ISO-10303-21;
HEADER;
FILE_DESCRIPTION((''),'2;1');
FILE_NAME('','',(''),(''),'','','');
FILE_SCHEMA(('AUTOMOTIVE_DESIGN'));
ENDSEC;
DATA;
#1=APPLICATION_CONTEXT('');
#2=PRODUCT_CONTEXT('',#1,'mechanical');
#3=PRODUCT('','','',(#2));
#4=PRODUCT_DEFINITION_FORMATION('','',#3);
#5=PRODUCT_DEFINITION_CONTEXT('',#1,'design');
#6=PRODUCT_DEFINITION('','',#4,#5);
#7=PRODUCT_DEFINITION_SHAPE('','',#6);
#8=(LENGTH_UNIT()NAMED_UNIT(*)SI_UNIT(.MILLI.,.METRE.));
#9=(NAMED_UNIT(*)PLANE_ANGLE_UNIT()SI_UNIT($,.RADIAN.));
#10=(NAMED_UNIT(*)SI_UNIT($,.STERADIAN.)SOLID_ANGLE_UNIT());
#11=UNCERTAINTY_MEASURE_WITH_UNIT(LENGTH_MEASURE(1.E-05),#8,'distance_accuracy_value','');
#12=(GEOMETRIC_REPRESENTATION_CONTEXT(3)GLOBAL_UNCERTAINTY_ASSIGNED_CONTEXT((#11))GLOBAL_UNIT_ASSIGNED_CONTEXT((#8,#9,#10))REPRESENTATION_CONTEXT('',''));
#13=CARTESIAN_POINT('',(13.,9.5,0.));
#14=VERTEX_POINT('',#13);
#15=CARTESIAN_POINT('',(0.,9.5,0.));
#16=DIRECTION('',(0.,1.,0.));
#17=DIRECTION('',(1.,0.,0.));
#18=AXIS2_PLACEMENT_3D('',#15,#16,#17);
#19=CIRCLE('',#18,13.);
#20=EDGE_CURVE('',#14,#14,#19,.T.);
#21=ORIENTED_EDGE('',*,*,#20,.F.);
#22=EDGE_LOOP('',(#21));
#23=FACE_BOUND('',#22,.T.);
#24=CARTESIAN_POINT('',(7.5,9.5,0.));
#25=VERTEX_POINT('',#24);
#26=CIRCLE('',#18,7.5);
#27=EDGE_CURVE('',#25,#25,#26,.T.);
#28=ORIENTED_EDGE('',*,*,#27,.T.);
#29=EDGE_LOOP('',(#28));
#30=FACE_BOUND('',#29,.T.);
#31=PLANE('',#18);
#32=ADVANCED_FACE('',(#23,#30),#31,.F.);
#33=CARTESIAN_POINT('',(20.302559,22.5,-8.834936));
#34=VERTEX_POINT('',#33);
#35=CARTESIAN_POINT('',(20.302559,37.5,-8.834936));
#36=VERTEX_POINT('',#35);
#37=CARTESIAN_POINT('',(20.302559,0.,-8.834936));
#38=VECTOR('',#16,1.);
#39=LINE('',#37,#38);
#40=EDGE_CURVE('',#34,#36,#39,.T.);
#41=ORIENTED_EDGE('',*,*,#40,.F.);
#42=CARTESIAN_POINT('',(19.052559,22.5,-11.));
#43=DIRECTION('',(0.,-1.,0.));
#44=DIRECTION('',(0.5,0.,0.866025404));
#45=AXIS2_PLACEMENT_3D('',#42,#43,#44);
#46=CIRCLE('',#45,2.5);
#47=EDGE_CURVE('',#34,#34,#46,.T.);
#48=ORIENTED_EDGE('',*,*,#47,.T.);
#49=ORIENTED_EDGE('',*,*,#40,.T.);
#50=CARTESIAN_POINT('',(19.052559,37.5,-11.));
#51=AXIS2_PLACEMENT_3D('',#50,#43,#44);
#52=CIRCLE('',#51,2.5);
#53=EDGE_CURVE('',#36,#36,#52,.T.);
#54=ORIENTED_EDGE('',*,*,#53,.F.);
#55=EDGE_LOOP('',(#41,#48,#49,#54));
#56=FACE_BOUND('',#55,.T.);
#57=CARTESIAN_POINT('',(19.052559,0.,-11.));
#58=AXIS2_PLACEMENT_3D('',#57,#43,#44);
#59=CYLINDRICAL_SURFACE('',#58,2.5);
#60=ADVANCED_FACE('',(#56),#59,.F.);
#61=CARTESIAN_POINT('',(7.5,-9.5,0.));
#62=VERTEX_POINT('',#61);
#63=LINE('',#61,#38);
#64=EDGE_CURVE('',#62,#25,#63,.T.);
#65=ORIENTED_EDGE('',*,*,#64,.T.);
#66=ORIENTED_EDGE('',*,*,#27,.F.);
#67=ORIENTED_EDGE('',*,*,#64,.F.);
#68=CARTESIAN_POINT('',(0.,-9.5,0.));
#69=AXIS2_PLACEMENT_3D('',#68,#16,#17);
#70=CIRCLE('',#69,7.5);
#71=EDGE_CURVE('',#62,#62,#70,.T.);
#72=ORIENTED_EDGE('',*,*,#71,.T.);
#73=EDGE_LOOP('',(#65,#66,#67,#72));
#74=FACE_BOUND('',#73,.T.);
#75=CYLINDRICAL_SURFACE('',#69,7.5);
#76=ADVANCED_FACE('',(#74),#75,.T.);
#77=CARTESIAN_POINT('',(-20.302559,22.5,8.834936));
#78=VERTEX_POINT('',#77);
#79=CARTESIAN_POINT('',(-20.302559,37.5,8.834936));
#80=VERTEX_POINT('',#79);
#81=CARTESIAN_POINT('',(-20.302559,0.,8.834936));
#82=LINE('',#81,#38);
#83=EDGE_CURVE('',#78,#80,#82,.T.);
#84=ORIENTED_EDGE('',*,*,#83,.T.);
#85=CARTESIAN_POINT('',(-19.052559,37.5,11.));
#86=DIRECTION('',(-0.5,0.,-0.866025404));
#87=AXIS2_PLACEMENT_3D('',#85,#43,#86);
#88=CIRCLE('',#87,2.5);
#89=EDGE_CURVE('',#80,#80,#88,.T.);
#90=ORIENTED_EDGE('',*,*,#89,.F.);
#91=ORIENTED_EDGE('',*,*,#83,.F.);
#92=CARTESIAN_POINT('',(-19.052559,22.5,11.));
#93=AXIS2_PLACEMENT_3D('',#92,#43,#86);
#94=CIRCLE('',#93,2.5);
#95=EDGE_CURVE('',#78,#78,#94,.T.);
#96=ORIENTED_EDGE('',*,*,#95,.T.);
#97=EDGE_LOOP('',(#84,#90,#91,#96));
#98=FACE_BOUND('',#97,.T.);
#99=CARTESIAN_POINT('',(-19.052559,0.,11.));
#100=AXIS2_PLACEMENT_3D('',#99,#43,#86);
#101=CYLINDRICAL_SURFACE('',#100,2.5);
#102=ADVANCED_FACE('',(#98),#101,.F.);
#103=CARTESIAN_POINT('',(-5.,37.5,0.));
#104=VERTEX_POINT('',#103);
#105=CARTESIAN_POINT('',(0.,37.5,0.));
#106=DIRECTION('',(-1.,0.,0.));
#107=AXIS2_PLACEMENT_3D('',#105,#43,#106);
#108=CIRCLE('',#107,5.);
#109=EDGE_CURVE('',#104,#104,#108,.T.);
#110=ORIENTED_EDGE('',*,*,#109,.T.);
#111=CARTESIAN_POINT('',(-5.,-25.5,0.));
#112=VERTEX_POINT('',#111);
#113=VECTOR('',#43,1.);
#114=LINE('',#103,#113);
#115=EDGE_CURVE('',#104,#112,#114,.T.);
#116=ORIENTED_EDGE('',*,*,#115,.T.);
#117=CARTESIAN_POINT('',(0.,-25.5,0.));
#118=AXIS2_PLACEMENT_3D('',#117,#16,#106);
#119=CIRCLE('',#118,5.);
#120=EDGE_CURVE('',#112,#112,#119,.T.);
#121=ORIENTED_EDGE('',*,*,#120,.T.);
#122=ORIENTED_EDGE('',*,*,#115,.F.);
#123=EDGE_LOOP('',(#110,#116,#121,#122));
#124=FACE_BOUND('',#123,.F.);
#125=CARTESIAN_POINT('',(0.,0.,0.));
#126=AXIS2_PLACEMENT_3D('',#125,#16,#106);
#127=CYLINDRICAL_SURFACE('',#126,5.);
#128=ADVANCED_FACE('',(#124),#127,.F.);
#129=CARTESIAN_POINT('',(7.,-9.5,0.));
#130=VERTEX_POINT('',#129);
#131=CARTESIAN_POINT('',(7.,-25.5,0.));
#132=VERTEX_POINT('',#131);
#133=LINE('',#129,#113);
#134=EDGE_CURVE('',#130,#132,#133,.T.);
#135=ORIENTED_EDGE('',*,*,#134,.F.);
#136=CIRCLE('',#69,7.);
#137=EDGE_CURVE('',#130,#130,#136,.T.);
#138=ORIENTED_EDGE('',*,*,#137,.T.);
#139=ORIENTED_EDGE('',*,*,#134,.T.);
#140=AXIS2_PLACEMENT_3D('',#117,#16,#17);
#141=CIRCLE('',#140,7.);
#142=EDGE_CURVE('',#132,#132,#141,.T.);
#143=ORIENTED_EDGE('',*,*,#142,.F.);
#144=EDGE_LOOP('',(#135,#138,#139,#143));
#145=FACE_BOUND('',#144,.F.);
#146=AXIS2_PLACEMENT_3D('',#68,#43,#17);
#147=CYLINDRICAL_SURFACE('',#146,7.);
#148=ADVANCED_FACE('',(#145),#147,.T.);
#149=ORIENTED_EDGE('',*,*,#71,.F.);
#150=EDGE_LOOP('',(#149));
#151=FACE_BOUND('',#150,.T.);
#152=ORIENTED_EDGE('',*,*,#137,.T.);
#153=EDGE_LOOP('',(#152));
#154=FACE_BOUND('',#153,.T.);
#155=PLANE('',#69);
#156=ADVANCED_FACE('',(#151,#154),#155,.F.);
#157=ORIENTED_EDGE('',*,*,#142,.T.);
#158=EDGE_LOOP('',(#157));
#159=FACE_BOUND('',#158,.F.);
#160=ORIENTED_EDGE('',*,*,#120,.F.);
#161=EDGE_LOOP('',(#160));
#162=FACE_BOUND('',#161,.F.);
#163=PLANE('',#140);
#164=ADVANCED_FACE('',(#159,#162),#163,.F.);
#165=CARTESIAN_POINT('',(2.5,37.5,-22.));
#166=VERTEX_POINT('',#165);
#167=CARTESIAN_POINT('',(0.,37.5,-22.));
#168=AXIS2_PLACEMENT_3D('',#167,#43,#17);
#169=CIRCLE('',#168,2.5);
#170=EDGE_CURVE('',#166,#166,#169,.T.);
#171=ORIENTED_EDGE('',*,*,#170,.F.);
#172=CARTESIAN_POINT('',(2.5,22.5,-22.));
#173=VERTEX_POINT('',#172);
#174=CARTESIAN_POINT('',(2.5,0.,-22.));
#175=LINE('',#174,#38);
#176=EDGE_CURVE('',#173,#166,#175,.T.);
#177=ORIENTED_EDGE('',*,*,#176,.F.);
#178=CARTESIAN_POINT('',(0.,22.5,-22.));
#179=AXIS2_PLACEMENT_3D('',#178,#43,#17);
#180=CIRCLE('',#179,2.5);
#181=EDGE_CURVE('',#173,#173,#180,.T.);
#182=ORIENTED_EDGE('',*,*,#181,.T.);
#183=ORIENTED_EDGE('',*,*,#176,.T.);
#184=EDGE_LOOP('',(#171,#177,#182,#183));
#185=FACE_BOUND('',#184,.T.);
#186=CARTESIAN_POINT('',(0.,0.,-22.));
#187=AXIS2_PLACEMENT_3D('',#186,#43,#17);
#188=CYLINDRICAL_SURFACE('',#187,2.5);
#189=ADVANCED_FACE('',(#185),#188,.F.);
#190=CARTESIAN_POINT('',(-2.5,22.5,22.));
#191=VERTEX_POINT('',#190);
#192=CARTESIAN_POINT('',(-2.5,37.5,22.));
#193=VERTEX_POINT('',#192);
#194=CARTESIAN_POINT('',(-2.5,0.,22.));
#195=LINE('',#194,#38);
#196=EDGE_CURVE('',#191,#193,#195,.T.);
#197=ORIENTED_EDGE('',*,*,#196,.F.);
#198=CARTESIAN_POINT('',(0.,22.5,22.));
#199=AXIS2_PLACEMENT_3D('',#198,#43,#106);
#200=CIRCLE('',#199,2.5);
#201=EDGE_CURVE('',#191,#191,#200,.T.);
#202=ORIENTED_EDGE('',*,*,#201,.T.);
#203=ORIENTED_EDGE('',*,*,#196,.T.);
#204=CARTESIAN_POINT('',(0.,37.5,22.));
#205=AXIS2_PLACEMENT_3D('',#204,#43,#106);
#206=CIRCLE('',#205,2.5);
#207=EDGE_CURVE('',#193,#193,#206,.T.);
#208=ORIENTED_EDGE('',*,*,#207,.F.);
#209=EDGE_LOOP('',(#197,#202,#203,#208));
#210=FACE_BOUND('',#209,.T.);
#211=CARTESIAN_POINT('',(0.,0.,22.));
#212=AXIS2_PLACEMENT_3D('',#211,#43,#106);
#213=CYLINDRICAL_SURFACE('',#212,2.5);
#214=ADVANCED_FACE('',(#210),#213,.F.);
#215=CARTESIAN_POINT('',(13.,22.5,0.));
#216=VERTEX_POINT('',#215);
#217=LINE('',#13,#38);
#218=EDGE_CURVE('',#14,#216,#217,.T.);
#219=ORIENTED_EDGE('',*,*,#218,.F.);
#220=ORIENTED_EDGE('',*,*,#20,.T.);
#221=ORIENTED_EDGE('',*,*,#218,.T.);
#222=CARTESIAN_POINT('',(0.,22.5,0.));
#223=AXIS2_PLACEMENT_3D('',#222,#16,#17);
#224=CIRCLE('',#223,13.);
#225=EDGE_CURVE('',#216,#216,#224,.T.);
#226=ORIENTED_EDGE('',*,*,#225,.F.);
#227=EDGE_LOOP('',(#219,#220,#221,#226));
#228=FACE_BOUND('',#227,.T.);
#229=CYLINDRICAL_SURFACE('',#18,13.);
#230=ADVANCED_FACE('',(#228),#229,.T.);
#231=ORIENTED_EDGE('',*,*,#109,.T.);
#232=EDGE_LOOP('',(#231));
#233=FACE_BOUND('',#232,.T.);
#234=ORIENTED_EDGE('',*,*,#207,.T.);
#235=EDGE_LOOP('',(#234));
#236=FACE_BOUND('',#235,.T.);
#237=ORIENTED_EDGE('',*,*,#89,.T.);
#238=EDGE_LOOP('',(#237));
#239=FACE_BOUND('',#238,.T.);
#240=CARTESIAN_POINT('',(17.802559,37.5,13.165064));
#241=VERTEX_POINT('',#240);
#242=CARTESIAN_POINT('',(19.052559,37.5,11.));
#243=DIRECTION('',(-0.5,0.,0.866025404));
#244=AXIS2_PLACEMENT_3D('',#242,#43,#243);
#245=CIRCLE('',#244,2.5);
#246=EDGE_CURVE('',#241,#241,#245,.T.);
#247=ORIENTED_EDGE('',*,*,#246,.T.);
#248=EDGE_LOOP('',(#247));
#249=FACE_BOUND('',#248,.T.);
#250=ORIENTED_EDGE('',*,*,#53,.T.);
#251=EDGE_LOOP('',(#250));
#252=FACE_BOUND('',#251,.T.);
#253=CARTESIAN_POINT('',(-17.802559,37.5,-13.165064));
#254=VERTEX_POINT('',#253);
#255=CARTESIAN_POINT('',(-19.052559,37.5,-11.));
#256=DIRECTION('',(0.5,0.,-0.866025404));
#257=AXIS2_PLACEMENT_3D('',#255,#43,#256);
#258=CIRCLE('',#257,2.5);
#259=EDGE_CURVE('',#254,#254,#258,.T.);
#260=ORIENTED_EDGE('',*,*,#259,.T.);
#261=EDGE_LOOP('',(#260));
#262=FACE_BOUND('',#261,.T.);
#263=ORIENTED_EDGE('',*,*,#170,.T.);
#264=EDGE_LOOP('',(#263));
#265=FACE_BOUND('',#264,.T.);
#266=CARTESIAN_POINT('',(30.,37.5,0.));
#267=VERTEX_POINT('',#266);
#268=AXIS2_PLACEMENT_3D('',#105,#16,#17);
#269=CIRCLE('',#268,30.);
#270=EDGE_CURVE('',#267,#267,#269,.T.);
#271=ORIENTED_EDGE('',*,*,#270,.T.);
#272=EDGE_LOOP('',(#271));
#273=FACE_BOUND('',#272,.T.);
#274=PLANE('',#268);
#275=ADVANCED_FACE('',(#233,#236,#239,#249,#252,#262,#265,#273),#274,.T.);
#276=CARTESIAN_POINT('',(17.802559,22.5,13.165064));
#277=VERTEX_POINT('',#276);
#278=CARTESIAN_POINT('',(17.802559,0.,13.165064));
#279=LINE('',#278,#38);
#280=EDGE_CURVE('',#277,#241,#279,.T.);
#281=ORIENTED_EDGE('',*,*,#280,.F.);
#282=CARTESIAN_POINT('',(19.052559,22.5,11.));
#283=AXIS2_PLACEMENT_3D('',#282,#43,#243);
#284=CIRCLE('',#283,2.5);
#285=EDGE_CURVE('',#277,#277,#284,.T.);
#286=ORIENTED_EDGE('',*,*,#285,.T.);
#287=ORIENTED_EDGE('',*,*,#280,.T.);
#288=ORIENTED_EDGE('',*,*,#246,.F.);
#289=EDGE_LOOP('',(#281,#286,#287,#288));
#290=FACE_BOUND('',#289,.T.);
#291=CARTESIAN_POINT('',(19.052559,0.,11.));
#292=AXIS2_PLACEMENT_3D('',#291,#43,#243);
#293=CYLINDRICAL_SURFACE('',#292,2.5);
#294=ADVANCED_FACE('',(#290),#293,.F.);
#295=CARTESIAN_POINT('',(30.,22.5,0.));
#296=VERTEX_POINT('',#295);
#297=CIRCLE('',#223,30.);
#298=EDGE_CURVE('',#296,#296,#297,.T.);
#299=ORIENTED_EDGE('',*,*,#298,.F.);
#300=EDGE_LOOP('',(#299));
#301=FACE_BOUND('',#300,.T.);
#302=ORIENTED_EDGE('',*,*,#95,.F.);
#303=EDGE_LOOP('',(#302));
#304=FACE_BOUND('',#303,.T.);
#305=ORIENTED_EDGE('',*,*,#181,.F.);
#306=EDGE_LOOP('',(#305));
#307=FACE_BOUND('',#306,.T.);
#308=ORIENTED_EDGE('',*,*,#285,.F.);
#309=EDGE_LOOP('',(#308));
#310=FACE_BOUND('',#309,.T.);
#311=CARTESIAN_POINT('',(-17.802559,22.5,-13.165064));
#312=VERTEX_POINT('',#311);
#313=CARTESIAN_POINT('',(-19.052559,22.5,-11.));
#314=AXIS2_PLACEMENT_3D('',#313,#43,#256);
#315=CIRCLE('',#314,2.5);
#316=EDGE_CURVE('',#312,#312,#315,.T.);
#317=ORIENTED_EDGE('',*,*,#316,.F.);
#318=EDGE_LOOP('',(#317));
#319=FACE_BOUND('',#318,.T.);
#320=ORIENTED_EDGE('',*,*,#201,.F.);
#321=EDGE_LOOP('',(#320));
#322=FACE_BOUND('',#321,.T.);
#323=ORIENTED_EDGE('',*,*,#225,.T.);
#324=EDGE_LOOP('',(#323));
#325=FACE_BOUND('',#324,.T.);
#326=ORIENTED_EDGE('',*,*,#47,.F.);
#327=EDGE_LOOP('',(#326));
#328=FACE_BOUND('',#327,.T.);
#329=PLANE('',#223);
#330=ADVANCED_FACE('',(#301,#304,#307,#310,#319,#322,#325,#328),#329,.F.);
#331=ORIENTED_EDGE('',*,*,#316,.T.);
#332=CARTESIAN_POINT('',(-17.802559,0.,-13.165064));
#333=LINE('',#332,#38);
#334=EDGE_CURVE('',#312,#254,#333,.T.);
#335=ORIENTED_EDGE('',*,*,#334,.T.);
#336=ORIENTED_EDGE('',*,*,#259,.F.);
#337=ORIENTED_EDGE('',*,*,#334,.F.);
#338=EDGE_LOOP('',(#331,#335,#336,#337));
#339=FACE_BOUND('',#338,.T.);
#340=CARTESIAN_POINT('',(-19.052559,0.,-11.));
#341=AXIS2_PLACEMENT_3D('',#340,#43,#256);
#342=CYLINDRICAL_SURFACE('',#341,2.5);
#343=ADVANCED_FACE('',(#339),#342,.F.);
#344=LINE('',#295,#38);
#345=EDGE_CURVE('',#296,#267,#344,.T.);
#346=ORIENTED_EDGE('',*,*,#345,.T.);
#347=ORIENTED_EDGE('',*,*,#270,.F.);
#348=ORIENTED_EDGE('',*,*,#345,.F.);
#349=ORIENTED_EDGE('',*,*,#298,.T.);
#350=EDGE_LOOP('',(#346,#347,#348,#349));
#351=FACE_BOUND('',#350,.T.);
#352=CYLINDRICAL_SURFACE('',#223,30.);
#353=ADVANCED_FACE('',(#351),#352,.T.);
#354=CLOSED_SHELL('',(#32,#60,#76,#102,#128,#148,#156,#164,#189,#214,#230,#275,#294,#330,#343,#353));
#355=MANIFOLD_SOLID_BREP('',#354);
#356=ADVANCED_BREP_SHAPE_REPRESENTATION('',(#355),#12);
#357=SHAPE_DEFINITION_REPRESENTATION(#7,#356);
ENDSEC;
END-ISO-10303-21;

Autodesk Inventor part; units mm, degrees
ref_plane "YZ Plane" through (0, 0, 0) normal (1, 0, 0) x (0, 1, 0)
ref_plane "XZ Plane" through (0, 0, 0) normal (0, 1, 0) x (-1, 0, 0)
ref_plane "XY Plane" through (0, 0, 0) normal (0, 0, 1) x (1, 0, 0)
sketch "esq_rev" plane through (0, 0, 0) normal (0, 0, 1) x (1, 0, 0)
  line L0 (0, -38.1) -> (0, 50.1) projected
  line L1 (7.5, -9.5) -> (7.5, 9.5)
  line L2 (7.5, 9.5) -> (13, 9.5)
  line L3 (13, 9.5) -> (13, 22.5)
  line L4 (13, 22.5) -> (30, 22.5)
  line L5 (30, 22.5) -> (30, 37.5)
  line L6 (30, 37.5) -> (0, 37.5)
  line L7 (0, -25.5) -> (0, -0.0006)
  line L8 (-38.091, 0) -> (41.3485, 0) projected
  line L9 (-26.7425, 30) -> (-5.3911, 30) projected
  line L10 (-5.3911, 30) -> (28.4337, 30) projected
  line L11 (28.4337, 30) -> (7.0823, 30) projected
  line L12 (7.0823, 30) -> (-26.7425, 30) projected
  line L13 (-6.854, 30) -> (-23.5883, 30) projected
  line L14 (-23.5883, 30) -> (-14.3845, 30) projected
  line L15 (-4.5388, 30) -> (-6.854, 30) projected
  line L16 (-24.4454, 30) -> (5.2291, 30) projected
  line L17 (5.2291, 30) -> (2.6006, 30) projected
  line L18 (-13.9964, 30) -> (-24.4454, 30) projected
  line L19 (24.4454, 30) -> (-5.2291, 30) projected
  line L20 (-5.2291, 30) -> (-2.6006, 30) projected
  line L21 (13.9964, 30) -> (24.4454, 30) projected
  line L22 (4.5388, 30) -> (7.194, 30) projected
  line L23 (7.194, 30) -> (24.9396, 30) projected
  line L24 (24.9396, 30) -> (14.3845, 30) projected
  line L25 (-4.5388, 30) -> (-14.5, 30) projected
  line L26 (2.6006, 30) -> (-13.9964, 30) projected
  line L27 (13.9964, 30) -> (-2.6006, 30) projected
  line L28 (14.5, 30) -> (4.5388, 30) projected
  line L29 (-12.5, 30) -> (12.5, 30) projected
  line L30 (-12.5, -20) -> (12.5, -20) projected
  line L31 (7, -9.5) -> (7, -25.5)
  line L32 (7, -25.5) -> (0, -25.5)
  line L33 (7, -9.5) -> (7.5, -9.5)
  line L34 (0, -0.0006) -> (0, 37.5)
  point P0 (0, 0)
  dimension "d0" = 30
  dimension "d1" = 13
  dimension "d2" = 7.5
  dimension "d5" = 13
  dimension "d6" = 15
  dimension "d23" = 7
  dimension "d25" = 19
  dimension "d26" = 16
revolve "rev" add sketch "esq_rev" angle 360 about axis through (0, -25.5, 0) along (0, 1, 0)
sketch "esq_percage" plane through (0, 0, 0) normal (0, 1, 0) x (-1, 0, 0)
  line L0 (0, -7) -> (0, 7) projected
  line L1 (-7, 0) -> (7, 0) projected
  circle A0 centre (0, 0) radius 5
  dimension "d8" = 10
extrude "ext_percage" cut sketch "esq_percage" along normal through all both and the other way through all
sketch "Esq_trous" plane through (0, 0, 0) normal (0, 1, 0) x (-1, 0, 0)
  line L0 (0, -4.9) -> (0, 29.4) projected
  line L1 (-3.5, 0) -> (3.5, 0) projected
  circle A0 centre (0, 22) radius 2.5
  point P0 (0, 0)
  dimension "d11" = 5
  dimension "d12" = 22
extrude "ext_trous" cut sketch "Esq_trous" along normal through all
pattern_circular "Réseau circulaire1" count 6 over 360 about axis through (0, -10, 0) along (0, 1, 0) of "ext_trous"
thread "Filetage2" size "M14x2" class "6g" standard "ANSI Metric M Profile" full length
properties part number "wheel_hub_spacer" material "Aluminium 6061"
